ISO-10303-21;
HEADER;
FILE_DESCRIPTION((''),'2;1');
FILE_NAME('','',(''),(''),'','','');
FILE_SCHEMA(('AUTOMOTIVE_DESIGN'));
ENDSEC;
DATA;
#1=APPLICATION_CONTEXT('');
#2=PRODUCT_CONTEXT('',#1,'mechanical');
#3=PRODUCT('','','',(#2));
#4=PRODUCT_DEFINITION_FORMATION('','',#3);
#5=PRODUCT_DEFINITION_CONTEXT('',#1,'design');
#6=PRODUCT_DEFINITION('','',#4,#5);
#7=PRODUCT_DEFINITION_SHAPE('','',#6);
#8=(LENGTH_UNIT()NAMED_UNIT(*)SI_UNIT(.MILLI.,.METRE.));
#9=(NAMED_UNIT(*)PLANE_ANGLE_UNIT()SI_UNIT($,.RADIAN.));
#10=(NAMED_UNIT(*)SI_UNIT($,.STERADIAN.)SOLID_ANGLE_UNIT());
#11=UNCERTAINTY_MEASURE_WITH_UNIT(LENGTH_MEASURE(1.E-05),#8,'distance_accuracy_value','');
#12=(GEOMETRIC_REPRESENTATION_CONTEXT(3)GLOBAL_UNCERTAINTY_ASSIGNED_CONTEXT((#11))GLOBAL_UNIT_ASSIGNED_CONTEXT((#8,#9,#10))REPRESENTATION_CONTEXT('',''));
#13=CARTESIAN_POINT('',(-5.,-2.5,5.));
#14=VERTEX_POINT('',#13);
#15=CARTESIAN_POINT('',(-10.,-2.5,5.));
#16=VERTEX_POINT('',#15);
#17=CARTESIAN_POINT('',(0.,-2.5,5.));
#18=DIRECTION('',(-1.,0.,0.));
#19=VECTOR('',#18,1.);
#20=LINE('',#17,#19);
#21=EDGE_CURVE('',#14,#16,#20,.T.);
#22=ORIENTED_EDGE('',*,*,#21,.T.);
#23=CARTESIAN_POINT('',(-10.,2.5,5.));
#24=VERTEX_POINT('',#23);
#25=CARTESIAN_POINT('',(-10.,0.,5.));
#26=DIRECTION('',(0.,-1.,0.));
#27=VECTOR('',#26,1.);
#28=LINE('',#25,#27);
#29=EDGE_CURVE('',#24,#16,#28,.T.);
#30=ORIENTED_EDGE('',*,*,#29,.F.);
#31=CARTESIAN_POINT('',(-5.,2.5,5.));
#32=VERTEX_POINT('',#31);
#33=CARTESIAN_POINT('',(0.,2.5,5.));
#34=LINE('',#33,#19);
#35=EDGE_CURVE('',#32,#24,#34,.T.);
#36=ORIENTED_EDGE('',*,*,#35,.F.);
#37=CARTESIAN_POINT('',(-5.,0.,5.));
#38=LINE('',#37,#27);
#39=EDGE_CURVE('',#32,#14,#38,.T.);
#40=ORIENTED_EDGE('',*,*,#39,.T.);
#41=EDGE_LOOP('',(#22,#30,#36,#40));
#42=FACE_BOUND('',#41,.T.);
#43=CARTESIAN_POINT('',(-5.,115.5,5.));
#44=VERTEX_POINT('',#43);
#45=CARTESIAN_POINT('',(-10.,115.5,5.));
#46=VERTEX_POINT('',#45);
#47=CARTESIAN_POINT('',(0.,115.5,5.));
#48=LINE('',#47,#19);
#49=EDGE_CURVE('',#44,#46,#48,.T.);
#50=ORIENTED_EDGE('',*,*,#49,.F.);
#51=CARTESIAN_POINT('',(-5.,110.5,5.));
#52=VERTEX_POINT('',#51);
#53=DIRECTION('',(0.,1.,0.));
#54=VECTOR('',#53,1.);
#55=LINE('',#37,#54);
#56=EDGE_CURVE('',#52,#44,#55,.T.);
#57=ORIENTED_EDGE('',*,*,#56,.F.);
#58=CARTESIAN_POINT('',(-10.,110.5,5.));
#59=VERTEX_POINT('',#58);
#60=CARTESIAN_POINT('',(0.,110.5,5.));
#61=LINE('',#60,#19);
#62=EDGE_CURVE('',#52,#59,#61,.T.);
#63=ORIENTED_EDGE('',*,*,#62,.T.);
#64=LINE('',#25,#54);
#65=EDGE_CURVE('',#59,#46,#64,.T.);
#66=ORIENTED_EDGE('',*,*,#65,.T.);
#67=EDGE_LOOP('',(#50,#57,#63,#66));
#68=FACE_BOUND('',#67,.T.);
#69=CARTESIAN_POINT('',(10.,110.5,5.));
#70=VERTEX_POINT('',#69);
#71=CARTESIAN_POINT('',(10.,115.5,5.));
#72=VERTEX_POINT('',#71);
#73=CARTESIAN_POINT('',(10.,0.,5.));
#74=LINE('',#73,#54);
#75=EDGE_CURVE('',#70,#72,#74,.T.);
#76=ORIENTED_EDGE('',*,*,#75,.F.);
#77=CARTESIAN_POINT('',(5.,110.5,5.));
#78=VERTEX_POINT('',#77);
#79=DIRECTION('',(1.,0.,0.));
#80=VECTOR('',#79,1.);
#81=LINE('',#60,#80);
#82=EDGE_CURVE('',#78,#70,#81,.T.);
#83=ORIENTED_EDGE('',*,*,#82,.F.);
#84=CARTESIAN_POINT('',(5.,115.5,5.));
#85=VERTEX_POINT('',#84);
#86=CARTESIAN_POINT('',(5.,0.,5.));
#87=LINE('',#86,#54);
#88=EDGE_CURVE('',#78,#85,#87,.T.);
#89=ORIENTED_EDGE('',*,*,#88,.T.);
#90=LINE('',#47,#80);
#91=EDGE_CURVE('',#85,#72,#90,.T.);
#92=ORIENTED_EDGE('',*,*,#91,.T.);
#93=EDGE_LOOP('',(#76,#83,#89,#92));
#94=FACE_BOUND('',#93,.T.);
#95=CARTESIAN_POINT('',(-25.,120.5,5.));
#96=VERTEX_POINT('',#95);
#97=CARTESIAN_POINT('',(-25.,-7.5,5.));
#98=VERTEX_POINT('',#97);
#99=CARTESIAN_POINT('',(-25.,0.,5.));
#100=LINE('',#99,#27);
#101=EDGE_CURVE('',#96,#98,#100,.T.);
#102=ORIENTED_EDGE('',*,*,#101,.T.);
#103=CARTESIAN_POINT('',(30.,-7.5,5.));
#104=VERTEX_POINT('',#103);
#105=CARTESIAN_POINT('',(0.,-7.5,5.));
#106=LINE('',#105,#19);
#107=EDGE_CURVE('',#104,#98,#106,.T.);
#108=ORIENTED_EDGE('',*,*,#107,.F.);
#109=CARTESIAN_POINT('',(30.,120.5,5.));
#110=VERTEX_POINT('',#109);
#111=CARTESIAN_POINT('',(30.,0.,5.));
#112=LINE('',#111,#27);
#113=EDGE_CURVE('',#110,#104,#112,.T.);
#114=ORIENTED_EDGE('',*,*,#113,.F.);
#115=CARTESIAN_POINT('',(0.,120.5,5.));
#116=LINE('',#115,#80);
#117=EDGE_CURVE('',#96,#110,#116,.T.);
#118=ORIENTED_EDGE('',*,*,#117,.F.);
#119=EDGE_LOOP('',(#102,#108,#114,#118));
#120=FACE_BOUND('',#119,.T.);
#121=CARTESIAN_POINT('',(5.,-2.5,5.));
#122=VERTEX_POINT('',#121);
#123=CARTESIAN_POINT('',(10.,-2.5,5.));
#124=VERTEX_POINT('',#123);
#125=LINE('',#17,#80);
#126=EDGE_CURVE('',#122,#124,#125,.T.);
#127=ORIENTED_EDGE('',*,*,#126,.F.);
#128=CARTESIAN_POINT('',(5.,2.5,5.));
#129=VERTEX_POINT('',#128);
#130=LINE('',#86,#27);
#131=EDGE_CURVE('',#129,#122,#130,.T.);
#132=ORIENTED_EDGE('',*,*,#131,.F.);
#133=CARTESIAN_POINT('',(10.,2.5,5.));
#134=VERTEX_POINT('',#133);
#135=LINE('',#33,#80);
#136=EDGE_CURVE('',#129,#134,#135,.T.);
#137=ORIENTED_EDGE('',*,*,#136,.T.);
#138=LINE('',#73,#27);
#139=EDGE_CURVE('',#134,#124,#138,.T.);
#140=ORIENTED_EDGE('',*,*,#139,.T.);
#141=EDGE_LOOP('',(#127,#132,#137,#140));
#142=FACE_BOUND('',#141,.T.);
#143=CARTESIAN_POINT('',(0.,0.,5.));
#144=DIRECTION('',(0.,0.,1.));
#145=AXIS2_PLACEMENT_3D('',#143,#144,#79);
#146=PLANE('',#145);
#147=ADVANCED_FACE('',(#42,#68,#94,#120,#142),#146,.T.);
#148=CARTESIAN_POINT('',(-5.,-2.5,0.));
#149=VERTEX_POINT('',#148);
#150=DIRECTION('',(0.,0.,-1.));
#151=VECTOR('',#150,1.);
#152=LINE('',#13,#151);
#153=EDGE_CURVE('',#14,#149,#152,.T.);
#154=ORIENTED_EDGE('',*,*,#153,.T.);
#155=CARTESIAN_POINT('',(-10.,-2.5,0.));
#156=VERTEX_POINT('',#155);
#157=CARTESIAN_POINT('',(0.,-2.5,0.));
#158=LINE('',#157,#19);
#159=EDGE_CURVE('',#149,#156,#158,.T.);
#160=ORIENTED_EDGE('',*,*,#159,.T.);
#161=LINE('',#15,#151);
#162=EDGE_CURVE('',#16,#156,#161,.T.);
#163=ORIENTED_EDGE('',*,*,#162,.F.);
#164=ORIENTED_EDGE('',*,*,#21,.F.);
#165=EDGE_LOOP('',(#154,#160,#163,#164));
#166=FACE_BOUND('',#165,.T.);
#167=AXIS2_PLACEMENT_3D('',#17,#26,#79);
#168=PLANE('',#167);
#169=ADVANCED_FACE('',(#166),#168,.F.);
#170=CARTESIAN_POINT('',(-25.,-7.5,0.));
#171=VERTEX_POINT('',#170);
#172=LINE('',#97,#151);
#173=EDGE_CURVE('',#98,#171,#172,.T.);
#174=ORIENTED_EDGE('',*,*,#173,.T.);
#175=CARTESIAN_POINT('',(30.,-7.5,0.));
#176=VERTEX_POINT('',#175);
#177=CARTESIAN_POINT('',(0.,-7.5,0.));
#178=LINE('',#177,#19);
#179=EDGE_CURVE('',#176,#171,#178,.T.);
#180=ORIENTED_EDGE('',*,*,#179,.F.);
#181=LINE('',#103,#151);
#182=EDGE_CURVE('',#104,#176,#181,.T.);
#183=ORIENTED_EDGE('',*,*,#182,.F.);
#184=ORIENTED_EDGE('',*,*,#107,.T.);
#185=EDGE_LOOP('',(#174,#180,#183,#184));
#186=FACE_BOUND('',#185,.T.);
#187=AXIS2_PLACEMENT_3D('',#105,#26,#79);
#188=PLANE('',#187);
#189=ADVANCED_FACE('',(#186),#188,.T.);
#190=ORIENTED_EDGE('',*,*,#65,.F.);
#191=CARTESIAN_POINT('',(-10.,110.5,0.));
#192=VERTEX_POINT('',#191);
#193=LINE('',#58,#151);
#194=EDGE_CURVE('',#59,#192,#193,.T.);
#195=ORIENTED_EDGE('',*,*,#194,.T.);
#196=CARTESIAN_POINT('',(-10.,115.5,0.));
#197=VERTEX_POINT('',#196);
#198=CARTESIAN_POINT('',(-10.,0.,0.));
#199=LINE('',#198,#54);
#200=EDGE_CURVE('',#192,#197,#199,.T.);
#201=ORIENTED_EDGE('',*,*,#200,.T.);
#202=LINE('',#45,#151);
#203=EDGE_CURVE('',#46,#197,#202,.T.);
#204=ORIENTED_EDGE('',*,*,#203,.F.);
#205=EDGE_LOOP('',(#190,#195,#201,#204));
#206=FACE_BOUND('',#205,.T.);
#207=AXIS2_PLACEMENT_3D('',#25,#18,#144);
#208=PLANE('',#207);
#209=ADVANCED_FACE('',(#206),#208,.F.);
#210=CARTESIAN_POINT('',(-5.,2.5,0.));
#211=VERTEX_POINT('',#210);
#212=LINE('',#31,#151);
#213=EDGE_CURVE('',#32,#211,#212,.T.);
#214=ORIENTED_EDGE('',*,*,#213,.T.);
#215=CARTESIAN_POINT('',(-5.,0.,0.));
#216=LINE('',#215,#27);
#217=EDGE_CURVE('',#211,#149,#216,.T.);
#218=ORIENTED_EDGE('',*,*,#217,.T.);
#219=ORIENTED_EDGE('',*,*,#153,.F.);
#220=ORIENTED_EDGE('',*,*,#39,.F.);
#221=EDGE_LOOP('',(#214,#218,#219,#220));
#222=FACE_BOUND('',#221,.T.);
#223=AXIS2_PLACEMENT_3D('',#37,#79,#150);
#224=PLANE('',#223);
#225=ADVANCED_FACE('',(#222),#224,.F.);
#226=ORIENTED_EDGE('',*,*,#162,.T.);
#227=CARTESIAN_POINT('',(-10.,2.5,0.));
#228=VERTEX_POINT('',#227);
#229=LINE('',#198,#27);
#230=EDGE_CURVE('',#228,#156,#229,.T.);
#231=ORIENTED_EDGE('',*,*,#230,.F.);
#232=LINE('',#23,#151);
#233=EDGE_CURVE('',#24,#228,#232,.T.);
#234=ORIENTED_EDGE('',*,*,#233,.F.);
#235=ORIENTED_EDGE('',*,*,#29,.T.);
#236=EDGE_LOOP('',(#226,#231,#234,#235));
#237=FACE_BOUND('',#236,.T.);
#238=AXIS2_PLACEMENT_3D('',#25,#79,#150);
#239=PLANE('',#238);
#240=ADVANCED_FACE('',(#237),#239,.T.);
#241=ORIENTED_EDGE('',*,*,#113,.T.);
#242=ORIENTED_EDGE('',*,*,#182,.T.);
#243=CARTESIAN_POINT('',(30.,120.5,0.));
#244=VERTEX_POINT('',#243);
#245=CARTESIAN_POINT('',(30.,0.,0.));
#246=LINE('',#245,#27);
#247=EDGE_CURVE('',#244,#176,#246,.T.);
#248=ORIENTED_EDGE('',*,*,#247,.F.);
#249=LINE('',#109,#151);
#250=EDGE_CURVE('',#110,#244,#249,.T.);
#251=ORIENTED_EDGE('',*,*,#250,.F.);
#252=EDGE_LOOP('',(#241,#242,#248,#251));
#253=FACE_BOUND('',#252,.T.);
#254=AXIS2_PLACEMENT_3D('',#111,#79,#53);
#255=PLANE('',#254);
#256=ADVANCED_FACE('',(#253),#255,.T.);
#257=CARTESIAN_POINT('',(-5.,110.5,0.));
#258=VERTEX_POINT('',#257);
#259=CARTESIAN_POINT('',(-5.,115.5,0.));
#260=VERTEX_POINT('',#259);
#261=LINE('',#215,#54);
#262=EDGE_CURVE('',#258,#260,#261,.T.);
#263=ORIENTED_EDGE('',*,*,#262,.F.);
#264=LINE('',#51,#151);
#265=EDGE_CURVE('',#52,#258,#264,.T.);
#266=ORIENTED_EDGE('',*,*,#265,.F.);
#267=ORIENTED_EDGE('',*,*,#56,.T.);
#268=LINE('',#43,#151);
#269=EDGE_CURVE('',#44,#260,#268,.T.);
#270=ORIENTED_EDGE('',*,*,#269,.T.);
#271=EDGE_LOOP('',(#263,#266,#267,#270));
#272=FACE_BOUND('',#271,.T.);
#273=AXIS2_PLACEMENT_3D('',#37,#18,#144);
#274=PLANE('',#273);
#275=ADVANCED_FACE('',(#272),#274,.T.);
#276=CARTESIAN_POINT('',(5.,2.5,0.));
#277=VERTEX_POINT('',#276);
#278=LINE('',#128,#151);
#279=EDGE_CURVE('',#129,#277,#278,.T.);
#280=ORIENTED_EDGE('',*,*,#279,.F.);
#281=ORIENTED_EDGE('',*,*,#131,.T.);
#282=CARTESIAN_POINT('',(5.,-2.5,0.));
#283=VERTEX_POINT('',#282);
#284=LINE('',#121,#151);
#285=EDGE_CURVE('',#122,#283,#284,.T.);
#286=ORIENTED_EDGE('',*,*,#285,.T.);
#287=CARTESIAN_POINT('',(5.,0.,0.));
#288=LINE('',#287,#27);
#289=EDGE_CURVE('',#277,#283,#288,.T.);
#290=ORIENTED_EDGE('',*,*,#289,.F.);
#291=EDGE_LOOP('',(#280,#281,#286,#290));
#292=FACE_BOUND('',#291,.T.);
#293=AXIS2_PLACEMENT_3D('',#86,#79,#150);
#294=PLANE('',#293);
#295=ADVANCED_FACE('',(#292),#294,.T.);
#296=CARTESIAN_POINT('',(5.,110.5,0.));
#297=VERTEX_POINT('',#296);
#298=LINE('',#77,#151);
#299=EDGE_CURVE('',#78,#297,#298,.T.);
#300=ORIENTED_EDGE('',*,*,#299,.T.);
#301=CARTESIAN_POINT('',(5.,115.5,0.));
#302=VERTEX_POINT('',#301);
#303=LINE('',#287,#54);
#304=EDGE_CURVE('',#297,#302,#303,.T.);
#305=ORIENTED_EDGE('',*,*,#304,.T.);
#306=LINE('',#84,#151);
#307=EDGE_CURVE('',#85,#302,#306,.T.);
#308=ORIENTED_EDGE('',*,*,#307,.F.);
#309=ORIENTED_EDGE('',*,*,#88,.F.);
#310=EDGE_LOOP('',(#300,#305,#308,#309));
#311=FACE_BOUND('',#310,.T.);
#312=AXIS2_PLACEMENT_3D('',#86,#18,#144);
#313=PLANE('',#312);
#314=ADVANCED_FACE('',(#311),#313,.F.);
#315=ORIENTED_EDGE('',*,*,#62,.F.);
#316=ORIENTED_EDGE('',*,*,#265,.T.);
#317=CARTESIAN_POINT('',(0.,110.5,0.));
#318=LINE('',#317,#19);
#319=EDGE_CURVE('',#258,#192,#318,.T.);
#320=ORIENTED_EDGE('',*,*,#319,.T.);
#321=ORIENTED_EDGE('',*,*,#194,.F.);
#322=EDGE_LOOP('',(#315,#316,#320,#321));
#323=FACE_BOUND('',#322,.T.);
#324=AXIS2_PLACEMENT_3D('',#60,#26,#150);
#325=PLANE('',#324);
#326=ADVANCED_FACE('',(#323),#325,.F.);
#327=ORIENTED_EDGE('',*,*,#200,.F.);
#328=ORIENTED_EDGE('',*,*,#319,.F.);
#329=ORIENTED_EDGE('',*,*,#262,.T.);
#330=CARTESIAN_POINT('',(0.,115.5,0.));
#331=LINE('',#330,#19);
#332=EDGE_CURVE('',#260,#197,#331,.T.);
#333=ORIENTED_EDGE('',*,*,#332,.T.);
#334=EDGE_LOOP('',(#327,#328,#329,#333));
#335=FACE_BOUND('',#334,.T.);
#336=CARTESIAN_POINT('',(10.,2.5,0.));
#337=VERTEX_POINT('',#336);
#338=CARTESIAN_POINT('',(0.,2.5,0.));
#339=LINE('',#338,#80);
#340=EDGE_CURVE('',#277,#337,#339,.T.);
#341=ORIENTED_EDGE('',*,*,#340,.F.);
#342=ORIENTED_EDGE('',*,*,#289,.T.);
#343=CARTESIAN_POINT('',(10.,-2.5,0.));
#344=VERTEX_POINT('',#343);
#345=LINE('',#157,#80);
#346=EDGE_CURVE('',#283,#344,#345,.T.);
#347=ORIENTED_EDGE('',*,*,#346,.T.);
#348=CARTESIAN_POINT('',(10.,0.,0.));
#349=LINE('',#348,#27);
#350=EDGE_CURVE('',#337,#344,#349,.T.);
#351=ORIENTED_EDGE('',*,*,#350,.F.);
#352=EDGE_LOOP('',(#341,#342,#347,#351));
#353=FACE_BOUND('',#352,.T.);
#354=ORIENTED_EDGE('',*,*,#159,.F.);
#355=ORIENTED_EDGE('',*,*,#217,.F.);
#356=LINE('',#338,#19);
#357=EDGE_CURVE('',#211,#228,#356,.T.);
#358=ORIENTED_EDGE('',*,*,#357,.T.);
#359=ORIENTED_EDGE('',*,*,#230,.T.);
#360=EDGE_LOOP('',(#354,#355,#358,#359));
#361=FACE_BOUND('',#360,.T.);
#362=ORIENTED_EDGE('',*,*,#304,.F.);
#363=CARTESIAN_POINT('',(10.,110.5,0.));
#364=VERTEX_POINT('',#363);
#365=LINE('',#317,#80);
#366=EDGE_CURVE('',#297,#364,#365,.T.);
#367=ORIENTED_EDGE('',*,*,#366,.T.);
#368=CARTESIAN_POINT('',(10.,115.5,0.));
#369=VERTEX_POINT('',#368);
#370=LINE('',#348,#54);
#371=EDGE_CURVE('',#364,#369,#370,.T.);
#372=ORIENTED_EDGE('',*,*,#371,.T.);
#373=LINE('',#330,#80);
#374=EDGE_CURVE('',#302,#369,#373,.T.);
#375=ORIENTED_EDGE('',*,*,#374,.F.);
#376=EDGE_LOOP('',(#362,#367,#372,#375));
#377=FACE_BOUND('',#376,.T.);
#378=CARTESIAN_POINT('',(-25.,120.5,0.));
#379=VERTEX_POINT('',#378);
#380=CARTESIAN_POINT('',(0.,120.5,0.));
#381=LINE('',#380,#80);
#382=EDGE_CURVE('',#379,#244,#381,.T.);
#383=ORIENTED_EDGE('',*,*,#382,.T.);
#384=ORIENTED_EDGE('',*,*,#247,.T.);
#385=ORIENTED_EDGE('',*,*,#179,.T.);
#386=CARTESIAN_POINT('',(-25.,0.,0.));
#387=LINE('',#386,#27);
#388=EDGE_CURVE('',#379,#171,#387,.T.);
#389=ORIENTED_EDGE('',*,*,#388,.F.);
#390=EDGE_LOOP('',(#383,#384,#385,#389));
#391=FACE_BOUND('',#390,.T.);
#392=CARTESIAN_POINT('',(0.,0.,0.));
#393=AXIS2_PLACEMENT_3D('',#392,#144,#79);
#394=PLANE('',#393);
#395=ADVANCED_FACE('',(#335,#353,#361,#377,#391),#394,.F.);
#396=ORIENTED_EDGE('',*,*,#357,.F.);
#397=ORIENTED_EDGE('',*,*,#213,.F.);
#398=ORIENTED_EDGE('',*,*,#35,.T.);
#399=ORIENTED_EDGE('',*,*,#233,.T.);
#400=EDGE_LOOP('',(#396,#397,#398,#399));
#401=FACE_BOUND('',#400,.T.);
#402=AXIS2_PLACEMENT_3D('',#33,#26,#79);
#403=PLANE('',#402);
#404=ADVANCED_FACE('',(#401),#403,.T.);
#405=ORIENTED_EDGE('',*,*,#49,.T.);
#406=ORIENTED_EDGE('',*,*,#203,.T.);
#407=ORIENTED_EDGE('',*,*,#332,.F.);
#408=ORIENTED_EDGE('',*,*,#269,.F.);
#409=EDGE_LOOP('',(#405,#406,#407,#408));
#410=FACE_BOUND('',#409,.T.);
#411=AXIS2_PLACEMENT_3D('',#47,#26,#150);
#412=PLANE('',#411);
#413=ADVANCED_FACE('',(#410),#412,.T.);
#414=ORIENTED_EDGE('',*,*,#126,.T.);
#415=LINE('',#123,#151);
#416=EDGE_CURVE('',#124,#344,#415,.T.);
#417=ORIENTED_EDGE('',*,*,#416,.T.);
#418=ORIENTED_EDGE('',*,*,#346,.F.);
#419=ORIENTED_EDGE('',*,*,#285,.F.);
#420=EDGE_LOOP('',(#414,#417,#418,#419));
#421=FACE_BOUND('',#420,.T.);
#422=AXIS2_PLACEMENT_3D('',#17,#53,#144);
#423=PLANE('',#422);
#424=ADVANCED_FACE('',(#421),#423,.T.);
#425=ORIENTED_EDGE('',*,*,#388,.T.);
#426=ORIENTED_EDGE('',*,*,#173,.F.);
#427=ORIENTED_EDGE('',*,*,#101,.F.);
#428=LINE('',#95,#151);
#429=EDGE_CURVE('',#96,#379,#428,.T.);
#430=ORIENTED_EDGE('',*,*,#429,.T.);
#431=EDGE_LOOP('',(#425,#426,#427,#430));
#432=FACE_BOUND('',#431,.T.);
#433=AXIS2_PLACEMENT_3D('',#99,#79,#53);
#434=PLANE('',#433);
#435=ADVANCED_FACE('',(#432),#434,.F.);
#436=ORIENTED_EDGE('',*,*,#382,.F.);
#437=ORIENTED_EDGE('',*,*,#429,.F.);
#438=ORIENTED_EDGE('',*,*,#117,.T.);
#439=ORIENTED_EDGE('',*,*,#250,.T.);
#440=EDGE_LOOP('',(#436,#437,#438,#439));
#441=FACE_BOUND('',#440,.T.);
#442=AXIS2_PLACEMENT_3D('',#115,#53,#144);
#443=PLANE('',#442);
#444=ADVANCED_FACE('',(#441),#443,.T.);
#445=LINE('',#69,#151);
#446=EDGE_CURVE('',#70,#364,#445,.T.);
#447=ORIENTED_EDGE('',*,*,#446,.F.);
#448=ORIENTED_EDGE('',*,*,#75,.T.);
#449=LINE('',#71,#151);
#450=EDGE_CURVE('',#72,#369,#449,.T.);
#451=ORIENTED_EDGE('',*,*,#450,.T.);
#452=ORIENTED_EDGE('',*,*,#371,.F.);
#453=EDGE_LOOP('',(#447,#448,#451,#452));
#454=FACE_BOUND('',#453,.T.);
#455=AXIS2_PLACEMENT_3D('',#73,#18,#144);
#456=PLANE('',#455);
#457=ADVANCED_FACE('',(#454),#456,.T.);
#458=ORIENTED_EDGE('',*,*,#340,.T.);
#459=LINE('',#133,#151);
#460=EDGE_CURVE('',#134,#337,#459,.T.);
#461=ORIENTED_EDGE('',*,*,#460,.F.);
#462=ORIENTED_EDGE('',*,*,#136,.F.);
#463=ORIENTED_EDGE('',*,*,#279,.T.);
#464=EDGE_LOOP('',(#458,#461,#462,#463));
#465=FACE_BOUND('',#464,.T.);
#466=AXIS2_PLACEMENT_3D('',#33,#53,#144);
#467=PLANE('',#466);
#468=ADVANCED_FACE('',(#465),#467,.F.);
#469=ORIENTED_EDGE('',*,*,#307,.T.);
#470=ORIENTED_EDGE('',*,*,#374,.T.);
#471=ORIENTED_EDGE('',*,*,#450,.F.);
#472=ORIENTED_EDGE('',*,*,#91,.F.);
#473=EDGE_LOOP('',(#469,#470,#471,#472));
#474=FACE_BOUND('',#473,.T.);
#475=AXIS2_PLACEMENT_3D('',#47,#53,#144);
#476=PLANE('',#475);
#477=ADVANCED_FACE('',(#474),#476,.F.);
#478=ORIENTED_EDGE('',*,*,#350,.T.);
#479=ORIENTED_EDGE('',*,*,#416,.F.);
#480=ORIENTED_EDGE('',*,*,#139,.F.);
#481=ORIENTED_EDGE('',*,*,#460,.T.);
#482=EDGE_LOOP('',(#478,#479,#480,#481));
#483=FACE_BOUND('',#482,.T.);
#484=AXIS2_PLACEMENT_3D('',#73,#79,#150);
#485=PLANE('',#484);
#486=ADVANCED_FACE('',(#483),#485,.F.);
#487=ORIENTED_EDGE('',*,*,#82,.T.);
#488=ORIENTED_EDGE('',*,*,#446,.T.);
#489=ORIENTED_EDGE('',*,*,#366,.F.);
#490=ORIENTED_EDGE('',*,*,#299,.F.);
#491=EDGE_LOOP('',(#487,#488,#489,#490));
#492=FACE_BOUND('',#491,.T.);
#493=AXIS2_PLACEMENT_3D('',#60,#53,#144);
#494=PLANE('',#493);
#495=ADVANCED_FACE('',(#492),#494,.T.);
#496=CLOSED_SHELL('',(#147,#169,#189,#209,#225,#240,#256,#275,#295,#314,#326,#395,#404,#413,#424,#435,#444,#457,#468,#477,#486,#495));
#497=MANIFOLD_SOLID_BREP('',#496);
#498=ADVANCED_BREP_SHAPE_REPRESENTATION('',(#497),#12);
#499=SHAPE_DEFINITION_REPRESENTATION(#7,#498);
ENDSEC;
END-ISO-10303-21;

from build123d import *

# Parameters (mm, degrees)
ESQUISSE1_W        = 5
ESQUISSE1_H        = 5
BOSS_EXTRU_1_DEPTH = 5


with BuildPart() as part:
    # Esquisse1 → Boss.-Extru.1 (new body)
    with BuildSketch(Plane.XY):
        Polygon((25, 120.5), (-25, 120.5), (-25, 56.5), (-25, -7.5), (25, -7.5), (30, -7.5), (30, 120.5), align=None)
        with Locations((-7.5, 0)):
            Rectangle(ESQUISSE1_W, ESQUISSE1_H, mode=Mode.SUBTRACT)
        with Locations((7.5, 0)):
            Rectangle(ESQUISSE1_W, ESQUISSE1_H, mode=Mode.SUBTRACT)
        with Locations((-7.5, 113)):
            Rectangle(ESQUISSE1_W, ESQUISSE1_H, mode=Mode.SUBTRACT)
        with Locations((7.5, 113)):
            Rectangle(ESQUISSE1_W, ESQUISSE1_H, mode=Mode.SUBTRACT)
    extrude(amount=BOSS_EXTRU_1_DEPTH)


solid = part.part
